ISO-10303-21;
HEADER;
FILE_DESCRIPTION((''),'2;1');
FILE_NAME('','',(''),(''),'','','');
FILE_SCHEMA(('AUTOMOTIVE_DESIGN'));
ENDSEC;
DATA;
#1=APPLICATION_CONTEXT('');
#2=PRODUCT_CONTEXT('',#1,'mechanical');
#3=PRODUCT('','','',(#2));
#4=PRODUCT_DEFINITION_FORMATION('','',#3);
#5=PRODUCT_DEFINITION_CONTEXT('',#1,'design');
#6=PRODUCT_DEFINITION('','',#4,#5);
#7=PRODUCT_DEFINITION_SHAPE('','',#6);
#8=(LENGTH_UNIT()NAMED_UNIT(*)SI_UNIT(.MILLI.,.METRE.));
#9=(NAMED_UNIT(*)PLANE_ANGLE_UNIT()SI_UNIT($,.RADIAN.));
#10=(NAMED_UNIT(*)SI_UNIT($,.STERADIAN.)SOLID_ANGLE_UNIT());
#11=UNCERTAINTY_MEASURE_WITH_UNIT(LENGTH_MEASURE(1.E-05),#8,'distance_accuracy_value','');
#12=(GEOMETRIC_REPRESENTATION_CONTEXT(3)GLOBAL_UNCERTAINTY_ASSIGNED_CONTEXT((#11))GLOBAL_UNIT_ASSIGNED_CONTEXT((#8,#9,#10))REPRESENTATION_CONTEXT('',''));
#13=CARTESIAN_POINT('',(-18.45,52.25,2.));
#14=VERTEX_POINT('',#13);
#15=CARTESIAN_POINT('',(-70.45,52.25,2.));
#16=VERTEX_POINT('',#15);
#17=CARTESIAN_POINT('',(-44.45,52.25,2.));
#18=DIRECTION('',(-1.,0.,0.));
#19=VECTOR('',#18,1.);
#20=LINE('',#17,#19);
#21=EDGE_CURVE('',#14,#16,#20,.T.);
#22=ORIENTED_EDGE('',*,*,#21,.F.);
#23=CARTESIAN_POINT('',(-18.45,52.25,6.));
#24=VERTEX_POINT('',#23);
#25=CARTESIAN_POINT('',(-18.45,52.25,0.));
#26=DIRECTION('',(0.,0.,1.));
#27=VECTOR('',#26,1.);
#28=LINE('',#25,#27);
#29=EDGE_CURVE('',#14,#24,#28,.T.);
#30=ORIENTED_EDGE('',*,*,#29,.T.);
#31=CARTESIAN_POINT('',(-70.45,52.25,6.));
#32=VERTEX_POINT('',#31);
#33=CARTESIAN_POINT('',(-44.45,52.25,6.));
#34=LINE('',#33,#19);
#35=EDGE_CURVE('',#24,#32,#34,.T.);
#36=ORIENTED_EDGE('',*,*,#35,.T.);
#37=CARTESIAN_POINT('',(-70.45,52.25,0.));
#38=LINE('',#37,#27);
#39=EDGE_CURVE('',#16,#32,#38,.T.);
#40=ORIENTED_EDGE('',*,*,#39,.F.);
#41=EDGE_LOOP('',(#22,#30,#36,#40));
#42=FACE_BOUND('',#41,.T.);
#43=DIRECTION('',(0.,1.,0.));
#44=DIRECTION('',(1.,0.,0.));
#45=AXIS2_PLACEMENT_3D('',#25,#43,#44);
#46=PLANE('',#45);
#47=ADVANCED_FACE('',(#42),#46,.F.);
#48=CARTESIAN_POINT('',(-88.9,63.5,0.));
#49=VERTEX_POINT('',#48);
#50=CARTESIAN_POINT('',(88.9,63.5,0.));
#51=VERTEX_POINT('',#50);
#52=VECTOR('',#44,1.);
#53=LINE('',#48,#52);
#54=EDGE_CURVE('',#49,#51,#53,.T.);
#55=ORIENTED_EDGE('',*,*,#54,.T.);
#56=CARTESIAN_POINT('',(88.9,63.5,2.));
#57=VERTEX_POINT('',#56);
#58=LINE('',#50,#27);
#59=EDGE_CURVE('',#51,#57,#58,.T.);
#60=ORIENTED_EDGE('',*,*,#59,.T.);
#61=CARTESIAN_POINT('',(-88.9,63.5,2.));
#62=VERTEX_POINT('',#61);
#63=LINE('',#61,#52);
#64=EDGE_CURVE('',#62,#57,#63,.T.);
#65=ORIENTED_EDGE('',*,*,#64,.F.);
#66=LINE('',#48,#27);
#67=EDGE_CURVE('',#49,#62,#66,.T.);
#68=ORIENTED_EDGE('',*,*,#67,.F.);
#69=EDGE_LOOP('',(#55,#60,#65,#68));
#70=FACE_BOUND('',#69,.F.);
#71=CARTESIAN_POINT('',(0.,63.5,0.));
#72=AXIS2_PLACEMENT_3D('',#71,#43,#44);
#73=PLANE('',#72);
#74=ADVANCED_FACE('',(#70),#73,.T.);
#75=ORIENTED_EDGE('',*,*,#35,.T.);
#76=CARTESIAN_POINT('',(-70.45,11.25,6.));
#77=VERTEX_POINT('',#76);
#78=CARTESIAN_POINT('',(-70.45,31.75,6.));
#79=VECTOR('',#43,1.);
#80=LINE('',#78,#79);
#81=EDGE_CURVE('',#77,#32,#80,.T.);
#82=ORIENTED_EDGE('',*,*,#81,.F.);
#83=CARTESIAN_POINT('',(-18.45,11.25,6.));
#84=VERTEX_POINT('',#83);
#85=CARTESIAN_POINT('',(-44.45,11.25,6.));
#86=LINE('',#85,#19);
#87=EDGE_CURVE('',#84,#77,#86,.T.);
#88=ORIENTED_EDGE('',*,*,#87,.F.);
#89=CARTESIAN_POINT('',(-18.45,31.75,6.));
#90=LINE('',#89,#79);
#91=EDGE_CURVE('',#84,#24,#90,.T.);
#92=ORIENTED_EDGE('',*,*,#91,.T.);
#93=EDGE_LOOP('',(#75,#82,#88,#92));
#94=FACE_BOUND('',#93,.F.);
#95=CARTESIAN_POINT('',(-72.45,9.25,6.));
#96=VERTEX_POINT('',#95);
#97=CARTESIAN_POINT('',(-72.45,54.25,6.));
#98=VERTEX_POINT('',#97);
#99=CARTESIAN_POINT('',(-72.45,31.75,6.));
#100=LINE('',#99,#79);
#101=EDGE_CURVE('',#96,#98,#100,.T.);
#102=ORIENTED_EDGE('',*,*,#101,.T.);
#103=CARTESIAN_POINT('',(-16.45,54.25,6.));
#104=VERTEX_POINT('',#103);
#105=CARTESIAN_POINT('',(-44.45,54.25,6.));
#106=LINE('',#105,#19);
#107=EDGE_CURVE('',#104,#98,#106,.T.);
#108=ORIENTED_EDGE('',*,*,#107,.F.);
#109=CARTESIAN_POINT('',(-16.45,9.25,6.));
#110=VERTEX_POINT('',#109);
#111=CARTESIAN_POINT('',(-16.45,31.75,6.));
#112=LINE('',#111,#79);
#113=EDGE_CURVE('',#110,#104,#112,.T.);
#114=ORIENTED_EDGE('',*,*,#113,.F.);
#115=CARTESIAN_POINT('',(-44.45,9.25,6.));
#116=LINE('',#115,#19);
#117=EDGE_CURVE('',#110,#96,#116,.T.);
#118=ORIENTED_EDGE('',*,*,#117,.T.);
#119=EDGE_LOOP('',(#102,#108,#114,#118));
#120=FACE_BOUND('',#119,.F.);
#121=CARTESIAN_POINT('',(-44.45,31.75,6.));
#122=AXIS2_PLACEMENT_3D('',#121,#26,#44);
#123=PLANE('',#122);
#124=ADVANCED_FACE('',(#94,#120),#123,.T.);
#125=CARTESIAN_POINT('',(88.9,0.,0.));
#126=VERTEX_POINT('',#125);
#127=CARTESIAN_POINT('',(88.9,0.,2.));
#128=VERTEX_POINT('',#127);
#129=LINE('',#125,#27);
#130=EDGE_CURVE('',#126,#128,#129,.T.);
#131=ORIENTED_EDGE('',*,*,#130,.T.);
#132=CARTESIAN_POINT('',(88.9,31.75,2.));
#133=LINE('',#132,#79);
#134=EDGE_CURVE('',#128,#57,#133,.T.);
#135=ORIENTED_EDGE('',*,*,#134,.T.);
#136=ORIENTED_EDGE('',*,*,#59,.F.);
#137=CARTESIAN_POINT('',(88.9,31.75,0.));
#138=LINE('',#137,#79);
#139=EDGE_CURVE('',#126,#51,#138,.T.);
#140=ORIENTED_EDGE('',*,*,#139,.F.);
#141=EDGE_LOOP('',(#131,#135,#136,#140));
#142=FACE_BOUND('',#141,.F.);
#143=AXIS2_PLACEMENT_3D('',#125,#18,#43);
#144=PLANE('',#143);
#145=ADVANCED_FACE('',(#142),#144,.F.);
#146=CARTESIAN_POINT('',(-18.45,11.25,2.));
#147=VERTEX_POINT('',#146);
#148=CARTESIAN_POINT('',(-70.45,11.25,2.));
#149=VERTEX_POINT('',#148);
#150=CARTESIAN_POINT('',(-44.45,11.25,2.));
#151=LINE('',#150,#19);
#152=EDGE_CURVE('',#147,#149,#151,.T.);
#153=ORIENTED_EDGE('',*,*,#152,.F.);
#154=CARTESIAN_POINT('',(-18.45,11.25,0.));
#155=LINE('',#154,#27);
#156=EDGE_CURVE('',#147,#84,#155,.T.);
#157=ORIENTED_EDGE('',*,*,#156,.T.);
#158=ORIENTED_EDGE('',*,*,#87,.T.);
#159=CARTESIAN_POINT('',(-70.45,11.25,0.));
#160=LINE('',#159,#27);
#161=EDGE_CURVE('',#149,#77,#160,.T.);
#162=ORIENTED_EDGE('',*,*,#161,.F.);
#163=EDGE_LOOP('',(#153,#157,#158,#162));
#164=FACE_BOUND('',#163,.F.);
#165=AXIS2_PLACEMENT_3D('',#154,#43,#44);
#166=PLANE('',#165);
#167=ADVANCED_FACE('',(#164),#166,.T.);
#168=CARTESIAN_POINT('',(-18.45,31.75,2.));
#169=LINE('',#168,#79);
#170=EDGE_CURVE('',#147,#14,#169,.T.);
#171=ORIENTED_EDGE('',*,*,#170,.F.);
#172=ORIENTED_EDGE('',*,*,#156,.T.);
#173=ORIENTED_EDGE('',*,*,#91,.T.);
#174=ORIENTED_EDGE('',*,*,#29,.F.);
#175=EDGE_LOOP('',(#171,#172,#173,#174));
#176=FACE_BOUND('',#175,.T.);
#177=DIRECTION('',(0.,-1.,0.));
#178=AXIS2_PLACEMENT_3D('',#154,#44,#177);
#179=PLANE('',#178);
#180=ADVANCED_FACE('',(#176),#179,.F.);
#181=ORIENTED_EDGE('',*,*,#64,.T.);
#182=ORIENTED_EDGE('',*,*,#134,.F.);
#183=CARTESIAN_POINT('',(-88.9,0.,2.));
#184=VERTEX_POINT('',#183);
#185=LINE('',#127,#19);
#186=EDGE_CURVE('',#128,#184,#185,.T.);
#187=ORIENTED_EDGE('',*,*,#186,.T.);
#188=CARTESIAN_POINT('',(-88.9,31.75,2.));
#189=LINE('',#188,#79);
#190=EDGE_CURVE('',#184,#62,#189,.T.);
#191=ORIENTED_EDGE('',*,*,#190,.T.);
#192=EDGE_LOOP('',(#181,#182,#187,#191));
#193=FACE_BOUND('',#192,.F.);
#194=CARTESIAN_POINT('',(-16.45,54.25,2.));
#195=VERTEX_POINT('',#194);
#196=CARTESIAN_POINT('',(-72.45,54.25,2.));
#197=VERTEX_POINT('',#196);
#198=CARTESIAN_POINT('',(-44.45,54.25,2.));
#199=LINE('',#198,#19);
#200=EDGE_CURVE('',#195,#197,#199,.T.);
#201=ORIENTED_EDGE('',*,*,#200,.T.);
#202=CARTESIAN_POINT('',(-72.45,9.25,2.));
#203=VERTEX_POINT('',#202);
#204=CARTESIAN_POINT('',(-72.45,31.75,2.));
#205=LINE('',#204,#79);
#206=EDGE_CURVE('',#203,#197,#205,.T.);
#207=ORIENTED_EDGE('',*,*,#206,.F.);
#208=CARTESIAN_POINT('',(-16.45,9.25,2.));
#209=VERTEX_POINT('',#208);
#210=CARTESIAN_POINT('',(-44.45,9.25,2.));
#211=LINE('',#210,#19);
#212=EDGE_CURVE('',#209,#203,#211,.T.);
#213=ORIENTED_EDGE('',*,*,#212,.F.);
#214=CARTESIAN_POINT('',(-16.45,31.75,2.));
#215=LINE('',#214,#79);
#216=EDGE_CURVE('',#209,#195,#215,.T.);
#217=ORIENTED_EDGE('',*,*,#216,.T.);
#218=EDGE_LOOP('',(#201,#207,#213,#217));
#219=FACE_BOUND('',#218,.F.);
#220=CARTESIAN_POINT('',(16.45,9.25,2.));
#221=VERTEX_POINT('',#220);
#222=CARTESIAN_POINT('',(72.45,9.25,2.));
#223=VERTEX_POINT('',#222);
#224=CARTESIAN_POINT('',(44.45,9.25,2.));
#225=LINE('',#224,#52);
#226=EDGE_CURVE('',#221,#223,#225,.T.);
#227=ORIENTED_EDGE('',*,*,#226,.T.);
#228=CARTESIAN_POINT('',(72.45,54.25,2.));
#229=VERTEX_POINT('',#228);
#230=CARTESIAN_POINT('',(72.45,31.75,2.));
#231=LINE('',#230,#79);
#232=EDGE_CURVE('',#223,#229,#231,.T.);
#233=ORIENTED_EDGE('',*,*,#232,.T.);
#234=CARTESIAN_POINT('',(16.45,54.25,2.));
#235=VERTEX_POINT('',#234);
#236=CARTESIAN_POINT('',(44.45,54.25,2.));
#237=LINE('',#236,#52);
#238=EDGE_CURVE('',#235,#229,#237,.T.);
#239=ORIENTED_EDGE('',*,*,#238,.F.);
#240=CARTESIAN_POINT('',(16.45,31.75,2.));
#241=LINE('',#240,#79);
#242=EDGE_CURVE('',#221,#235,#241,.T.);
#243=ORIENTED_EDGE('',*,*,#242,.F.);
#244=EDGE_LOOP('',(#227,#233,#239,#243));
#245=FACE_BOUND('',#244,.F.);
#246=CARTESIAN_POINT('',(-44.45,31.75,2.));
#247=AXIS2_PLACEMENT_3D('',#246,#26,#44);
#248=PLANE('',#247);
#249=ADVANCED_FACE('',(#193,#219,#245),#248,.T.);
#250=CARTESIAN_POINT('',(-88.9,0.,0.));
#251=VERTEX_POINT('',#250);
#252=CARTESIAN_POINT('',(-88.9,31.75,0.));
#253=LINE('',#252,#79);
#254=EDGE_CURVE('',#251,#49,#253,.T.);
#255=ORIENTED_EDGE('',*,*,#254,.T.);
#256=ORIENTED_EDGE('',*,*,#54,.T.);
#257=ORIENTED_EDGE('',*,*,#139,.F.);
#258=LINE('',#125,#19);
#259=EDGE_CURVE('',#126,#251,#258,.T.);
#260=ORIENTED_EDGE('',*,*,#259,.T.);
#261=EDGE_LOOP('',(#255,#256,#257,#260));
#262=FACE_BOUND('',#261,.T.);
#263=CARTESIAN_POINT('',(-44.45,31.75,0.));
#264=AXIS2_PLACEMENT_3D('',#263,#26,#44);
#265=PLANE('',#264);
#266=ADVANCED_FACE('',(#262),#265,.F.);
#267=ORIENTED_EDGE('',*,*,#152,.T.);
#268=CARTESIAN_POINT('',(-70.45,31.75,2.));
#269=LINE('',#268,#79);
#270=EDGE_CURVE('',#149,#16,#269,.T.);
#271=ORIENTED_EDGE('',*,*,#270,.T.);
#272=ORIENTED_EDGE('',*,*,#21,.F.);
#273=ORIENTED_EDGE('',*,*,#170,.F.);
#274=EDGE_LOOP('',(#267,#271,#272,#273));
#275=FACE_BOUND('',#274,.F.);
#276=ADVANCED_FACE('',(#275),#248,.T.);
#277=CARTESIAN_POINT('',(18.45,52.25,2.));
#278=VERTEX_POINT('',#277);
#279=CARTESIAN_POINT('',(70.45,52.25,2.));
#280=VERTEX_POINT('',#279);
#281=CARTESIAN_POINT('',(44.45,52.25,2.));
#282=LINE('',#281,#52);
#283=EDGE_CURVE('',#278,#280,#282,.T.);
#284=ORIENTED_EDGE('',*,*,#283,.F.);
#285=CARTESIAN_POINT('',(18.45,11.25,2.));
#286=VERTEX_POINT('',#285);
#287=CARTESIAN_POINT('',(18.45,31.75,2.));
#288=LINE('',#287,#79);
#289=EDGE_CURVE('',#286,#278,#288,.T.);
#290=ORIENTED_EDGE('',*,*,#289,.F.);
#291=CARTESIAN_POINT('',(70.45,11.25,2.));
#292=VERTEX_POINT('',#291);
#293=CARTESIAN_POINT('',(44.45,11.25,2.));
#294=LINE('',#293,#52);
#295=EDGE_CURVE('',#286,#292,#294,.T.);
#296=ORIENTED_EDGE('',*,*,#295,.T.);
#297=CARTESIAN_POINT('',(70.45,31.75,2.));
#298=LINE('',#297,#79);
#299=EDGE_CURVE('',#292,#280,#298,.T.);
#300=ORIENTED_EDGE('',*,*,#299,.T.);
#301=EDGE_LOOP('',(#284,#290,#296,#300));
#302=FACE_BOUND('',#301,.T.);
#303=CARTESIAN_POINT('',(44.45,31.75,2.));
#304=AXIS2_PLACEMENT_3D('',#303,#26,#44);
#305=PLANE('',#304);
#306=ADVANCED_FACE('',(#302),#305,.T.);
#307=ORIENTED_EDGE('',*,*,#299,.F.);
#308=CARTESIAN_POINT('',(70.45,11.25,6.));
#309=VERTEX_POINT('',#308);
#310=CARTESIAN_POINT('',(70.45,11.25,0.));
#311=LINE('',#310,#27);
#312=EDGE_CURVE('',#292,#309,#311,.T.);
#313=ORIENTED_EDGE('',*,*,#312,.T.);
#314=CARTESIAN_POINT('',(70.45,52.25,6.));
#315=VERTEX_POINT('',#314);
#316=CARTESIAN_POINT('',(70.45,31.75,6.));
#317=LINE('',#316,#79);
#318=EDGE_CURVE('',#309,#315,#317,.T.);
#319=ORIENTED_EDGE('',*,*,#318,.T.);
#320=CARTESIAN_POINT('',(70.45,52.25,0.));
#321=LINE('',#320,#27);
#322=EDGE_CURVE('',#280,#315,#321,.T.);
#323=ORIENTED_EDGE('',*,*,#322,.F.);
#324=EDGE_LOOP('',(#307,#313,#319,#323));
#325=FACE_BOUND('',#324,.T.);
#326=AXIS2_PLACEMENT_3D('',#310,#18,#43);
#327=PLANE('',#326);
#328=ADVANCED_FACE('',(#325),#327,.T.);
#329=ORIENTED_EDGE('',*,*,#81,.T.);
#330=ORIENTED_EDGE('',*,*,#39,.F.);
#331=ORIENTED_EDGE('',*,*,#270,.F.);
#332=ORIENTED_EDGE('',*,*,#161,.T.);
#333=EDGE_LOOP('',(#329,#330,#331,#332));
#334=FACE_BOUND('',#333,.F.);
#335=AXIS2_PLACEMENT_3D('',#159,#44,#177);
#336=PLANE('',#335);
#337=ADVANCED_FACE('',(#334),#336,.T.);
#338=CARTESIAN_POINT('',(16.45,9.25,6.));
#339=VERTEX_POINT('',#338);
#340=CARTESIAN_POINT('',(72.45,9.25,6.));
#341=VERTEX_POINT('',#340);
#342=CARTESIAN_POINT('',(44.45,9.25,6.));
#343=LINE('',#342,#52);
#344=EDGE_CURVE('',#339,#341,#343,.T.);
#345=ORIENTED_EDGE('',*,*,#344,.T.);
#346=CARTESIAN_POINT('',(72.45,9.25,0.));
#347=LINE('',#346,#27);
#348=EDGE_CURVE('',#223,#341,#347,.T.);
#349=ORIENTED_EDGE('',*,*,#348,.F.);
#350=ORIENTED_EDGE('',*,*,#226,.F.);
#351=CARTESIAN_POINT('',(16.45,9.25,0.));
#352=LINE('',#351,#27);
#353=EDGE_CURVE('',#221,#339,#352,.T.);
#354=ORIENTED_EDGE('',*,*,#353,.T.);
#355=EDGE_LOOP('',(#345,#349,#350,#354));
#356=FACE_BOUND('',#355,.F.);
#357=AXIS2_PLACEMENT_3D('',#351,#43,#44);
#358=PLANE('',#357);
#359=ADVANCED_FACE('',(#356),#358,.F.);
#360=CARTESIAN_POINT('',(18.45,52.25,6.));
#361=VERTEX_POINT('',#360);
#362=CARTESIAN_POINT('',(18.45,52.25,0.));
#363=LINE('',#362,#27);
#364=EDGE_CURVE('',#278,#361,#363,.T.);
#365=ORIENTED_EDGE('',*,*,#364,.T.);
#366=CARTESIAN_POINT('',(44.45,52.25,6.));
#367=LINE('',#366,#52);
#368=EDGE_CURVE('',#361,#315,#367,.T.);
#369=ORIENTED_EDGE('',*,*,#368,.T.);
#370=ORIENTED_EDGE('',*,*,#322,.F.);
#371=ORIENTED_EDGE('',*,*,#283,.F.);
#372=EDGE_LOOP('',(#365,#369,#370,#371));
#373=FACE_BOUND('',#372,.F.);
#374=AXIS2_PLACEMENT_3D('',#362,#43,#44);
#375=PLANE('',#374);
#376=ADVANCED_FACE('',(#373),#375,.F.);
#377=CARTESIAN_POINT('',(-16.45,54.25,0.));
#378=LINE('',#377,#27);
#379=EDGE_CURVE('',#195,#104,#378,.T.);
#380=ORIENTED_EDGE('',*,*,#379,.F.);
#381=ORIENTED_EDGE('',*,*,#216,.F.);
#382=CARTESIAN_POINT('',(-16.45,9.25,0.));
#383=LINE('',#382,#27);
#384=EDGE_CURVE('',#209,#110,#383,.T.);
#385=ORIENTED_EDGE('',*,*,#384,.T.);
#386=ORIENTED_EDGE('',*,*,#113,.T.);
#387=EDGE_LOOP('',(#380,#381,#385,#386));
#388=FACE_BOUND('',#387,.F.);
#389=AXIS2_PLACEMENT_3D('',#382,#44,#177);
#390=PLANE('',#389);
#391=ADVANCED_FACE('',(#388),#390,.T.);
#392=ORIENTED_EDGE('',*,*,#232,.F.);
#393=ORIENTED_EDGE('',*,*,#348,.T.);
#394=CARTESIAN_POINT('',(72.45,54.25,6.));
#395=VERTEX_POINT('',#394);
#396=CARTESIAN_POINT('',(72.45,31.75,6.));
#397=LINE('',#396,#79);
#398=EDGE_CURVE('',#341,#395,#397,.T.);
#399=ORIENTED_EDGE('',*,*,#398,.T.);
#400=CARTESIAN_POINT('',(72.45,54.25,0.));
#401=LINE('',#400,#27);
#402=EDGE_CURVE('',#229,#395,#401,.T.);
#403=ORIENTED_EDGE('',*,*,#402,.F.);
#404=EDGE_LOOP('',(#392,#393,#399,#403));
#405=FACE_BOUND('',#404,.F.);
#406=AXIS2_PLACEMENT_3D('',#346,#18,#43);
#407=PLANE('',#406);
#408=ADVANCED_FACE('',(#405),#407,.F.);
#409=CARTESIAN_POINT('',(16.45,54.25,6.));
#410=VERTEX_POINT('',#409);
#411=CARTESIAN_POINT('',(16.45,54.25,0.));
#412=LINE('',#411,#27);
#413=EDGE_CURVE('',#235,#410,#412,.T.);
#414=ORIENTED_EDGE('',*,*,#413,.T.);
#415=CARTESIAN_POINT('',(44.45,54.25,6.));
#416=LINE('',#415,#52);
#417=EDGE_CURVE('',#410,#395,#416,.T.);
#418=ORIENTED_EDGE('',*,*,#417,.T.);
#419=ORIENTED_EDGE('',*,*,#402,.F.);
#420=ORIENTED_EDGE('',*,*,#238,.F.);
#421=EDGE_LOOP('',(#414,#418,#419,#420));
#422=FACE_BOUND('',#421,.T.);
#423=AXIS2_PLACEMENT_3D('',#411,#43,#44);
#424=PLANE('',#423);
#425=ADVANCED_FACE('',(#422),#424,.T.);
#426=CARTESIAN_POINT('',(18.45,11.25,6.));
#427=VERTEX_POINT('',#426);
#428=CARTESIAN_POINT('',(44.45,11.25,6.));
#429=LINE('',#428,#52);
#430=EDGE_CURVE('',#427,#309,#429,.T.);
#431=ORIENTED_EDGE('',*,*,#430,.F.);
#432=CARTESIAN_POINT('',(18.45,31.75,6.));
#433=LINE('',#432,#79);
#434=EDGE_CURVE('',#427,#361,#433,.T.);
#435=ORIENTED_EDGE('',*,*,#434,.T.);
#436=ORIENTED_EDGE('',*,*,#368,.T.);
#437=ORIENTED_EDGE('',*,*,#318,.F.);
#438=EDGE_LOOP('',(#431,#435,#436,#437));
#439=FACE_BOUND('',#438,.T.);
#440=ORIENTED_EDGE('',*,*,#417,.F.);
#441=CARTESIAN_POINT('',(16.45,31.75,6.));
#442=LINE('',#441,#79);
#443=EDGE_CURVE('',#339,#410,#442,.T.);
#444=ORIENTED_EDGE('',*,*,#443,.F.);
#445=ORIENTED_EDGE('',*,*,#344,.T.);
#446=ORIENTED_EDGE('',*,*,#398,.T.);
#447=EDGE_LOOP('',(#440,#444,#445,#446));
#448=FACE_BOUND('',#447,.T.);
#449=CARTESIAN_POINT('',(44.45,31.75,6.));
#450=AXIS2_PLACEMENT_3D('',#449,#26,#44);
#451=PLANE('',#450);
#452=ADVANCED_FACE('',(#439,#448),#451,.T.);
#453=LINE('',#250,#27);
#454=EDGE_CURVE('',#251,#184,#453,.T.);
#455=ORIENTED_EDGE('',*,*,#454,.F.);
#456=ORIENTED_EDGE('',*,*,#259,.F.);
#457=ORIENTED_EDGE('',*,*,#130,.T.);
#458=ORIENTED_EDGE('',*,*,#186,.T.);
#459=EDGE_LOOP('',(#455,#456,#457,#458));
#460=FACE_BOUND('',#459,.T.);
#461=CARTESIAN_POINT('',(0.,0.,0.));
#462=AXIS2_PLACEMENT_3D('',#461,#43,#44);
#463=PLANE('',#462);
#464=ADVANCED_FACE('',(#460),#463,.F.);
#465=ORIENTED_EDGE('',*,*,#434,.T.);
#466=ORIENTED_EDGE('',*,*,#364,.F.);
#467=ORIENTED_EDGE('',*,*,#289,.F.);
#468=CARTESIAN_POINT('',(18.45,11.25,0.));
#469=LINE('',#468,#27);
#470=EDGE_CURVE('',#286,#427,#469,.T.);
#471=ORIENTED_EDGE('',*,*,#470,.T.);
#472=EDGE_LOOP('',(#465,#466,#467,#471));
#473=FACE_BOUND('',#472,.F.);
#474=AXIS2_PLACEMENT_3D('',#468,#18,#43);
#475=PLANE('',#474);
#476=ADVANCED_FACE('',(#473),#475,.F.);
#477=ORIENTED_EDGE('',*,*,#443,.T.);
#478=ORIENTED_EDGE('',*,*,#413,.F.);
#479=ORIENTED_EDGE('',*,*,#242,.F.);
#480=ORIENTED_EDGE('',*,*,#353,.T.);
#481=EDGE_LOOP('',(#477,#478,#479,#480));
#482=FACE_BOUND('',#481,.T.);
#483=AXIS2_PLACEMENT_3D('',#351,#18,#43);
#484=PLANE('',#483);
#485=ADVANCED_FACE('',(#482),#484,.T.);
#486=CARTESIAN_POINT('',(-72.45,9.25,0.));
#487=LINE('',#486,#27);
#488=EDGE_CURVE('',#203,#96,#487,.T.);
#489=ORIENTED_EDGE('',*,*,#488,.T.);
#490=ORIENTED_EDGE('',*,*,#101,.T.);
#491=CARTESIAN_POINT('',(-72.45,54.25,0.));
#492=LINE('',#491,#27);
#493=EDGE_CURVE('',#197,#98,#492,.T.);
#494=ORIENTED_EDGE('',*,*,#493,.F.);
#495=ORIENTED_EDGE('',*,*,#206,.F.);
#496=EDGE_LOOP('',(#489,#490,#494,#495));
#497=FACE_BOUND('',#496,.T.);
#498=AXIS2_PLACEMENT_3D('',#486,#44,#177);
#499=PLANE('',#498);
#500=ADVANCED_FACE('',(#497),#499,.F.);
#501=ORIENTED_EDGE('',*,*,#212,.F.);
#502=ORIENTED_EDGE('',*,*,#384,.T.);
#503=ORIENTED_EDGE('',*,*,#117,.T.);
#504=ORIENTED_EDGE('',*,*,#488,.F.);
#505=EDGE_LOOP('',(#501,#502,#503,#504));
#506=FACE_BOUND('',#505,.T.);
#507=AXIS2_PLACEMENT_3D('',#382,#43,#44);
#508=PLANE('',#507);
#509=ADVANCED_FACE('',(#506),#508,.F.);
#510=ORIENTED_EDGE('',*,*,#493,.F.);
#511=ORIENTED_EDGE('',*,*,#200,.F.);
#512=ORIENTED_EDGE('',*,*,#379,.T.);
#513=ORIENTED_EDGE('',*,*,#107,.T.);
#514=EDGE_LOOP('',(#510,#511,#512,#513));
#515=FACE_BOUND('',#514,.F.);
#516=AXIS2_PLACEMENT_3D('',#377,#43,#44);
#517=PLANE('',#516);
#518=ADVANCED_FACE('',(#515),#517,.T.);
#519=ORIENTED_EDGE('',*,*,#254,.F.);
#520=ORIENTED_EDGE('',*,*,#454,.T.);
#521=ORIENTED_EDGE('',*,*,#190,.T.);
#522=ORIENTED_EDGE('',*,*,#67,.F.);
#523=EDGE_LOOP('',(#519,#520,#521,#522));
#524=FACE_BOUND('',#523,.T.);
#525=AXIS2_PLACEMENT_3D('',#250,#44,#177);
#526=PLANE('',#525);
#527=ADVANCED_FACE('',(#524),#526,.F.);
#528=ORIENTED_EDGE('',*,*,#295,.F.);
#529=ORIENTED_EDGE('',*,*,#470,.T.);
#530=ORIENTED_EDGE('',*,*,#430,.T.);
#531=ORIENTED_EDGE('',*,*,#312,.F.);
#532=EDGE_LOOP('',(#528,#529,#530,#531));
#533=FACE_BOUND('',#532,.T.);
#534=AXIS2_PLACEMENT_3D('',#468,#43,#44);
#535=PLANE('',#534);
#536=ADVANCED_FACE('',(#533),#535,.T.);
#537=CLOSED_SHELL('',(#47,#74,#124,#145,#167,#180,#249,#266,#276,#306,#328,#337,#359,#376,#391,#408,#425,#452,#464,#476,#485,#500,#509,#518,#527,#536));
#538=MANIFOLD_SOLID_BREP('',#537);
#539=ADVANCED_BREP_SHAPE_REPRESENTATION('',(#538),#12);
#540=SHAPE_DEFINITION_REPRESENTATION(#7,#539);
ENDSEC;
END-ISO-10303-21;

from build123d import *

# Parameters (mm, degrees)
F0_W     = 56
F0_H     = 45
F0_W_2   = 52
F0_H_2   = 41
F1_DEPTH = 6
F0_W_3   = 88.9
F0_H_3   = 63.5
F2_DEPTH = 2
F3_DEPTH = 2


with BuildPart() as f1:
    # F0 (on Top) → F1 (new body)
    with BuildSketch(Plane.XY):
        with Locations((44.45, 31.75)):
            Rectangle(F0_W, F0_H)
        with Locations((44.45, 31.75)):
            Rectangle(F0_W_2, F0_H_2, mode=Mode.SUBTRACT)
    extrude(amount=F1_DEPTH)

    # F0 (on Top) → F2 (join)
    with BuildSketch(Plane.XY):
        with Locations((44.45, 31.75)):
            Rectangle(F0_W_3, F0_H_3)
        with Locations((44.45, 31.75)):
            Rectangle(F0_W, F0_H, mode=Mode.SUBTRACT)
    extrude(amount=F2_DEPTH)

    # F0 (on Top) → F3 (join)
    with BuildSketch(Plane.XY):
        with Locations((44.45, 31.75)):
            Rectangle(F0_W_2, F0_H_2)
    extrude(amount=F3_DEPTH)

    # F4: F1 across plane


with BuildPart() as f1_1:
    add(f1.part)
    add(f1.part.mirror(Plane.YZ))


solid = f1_1.part
